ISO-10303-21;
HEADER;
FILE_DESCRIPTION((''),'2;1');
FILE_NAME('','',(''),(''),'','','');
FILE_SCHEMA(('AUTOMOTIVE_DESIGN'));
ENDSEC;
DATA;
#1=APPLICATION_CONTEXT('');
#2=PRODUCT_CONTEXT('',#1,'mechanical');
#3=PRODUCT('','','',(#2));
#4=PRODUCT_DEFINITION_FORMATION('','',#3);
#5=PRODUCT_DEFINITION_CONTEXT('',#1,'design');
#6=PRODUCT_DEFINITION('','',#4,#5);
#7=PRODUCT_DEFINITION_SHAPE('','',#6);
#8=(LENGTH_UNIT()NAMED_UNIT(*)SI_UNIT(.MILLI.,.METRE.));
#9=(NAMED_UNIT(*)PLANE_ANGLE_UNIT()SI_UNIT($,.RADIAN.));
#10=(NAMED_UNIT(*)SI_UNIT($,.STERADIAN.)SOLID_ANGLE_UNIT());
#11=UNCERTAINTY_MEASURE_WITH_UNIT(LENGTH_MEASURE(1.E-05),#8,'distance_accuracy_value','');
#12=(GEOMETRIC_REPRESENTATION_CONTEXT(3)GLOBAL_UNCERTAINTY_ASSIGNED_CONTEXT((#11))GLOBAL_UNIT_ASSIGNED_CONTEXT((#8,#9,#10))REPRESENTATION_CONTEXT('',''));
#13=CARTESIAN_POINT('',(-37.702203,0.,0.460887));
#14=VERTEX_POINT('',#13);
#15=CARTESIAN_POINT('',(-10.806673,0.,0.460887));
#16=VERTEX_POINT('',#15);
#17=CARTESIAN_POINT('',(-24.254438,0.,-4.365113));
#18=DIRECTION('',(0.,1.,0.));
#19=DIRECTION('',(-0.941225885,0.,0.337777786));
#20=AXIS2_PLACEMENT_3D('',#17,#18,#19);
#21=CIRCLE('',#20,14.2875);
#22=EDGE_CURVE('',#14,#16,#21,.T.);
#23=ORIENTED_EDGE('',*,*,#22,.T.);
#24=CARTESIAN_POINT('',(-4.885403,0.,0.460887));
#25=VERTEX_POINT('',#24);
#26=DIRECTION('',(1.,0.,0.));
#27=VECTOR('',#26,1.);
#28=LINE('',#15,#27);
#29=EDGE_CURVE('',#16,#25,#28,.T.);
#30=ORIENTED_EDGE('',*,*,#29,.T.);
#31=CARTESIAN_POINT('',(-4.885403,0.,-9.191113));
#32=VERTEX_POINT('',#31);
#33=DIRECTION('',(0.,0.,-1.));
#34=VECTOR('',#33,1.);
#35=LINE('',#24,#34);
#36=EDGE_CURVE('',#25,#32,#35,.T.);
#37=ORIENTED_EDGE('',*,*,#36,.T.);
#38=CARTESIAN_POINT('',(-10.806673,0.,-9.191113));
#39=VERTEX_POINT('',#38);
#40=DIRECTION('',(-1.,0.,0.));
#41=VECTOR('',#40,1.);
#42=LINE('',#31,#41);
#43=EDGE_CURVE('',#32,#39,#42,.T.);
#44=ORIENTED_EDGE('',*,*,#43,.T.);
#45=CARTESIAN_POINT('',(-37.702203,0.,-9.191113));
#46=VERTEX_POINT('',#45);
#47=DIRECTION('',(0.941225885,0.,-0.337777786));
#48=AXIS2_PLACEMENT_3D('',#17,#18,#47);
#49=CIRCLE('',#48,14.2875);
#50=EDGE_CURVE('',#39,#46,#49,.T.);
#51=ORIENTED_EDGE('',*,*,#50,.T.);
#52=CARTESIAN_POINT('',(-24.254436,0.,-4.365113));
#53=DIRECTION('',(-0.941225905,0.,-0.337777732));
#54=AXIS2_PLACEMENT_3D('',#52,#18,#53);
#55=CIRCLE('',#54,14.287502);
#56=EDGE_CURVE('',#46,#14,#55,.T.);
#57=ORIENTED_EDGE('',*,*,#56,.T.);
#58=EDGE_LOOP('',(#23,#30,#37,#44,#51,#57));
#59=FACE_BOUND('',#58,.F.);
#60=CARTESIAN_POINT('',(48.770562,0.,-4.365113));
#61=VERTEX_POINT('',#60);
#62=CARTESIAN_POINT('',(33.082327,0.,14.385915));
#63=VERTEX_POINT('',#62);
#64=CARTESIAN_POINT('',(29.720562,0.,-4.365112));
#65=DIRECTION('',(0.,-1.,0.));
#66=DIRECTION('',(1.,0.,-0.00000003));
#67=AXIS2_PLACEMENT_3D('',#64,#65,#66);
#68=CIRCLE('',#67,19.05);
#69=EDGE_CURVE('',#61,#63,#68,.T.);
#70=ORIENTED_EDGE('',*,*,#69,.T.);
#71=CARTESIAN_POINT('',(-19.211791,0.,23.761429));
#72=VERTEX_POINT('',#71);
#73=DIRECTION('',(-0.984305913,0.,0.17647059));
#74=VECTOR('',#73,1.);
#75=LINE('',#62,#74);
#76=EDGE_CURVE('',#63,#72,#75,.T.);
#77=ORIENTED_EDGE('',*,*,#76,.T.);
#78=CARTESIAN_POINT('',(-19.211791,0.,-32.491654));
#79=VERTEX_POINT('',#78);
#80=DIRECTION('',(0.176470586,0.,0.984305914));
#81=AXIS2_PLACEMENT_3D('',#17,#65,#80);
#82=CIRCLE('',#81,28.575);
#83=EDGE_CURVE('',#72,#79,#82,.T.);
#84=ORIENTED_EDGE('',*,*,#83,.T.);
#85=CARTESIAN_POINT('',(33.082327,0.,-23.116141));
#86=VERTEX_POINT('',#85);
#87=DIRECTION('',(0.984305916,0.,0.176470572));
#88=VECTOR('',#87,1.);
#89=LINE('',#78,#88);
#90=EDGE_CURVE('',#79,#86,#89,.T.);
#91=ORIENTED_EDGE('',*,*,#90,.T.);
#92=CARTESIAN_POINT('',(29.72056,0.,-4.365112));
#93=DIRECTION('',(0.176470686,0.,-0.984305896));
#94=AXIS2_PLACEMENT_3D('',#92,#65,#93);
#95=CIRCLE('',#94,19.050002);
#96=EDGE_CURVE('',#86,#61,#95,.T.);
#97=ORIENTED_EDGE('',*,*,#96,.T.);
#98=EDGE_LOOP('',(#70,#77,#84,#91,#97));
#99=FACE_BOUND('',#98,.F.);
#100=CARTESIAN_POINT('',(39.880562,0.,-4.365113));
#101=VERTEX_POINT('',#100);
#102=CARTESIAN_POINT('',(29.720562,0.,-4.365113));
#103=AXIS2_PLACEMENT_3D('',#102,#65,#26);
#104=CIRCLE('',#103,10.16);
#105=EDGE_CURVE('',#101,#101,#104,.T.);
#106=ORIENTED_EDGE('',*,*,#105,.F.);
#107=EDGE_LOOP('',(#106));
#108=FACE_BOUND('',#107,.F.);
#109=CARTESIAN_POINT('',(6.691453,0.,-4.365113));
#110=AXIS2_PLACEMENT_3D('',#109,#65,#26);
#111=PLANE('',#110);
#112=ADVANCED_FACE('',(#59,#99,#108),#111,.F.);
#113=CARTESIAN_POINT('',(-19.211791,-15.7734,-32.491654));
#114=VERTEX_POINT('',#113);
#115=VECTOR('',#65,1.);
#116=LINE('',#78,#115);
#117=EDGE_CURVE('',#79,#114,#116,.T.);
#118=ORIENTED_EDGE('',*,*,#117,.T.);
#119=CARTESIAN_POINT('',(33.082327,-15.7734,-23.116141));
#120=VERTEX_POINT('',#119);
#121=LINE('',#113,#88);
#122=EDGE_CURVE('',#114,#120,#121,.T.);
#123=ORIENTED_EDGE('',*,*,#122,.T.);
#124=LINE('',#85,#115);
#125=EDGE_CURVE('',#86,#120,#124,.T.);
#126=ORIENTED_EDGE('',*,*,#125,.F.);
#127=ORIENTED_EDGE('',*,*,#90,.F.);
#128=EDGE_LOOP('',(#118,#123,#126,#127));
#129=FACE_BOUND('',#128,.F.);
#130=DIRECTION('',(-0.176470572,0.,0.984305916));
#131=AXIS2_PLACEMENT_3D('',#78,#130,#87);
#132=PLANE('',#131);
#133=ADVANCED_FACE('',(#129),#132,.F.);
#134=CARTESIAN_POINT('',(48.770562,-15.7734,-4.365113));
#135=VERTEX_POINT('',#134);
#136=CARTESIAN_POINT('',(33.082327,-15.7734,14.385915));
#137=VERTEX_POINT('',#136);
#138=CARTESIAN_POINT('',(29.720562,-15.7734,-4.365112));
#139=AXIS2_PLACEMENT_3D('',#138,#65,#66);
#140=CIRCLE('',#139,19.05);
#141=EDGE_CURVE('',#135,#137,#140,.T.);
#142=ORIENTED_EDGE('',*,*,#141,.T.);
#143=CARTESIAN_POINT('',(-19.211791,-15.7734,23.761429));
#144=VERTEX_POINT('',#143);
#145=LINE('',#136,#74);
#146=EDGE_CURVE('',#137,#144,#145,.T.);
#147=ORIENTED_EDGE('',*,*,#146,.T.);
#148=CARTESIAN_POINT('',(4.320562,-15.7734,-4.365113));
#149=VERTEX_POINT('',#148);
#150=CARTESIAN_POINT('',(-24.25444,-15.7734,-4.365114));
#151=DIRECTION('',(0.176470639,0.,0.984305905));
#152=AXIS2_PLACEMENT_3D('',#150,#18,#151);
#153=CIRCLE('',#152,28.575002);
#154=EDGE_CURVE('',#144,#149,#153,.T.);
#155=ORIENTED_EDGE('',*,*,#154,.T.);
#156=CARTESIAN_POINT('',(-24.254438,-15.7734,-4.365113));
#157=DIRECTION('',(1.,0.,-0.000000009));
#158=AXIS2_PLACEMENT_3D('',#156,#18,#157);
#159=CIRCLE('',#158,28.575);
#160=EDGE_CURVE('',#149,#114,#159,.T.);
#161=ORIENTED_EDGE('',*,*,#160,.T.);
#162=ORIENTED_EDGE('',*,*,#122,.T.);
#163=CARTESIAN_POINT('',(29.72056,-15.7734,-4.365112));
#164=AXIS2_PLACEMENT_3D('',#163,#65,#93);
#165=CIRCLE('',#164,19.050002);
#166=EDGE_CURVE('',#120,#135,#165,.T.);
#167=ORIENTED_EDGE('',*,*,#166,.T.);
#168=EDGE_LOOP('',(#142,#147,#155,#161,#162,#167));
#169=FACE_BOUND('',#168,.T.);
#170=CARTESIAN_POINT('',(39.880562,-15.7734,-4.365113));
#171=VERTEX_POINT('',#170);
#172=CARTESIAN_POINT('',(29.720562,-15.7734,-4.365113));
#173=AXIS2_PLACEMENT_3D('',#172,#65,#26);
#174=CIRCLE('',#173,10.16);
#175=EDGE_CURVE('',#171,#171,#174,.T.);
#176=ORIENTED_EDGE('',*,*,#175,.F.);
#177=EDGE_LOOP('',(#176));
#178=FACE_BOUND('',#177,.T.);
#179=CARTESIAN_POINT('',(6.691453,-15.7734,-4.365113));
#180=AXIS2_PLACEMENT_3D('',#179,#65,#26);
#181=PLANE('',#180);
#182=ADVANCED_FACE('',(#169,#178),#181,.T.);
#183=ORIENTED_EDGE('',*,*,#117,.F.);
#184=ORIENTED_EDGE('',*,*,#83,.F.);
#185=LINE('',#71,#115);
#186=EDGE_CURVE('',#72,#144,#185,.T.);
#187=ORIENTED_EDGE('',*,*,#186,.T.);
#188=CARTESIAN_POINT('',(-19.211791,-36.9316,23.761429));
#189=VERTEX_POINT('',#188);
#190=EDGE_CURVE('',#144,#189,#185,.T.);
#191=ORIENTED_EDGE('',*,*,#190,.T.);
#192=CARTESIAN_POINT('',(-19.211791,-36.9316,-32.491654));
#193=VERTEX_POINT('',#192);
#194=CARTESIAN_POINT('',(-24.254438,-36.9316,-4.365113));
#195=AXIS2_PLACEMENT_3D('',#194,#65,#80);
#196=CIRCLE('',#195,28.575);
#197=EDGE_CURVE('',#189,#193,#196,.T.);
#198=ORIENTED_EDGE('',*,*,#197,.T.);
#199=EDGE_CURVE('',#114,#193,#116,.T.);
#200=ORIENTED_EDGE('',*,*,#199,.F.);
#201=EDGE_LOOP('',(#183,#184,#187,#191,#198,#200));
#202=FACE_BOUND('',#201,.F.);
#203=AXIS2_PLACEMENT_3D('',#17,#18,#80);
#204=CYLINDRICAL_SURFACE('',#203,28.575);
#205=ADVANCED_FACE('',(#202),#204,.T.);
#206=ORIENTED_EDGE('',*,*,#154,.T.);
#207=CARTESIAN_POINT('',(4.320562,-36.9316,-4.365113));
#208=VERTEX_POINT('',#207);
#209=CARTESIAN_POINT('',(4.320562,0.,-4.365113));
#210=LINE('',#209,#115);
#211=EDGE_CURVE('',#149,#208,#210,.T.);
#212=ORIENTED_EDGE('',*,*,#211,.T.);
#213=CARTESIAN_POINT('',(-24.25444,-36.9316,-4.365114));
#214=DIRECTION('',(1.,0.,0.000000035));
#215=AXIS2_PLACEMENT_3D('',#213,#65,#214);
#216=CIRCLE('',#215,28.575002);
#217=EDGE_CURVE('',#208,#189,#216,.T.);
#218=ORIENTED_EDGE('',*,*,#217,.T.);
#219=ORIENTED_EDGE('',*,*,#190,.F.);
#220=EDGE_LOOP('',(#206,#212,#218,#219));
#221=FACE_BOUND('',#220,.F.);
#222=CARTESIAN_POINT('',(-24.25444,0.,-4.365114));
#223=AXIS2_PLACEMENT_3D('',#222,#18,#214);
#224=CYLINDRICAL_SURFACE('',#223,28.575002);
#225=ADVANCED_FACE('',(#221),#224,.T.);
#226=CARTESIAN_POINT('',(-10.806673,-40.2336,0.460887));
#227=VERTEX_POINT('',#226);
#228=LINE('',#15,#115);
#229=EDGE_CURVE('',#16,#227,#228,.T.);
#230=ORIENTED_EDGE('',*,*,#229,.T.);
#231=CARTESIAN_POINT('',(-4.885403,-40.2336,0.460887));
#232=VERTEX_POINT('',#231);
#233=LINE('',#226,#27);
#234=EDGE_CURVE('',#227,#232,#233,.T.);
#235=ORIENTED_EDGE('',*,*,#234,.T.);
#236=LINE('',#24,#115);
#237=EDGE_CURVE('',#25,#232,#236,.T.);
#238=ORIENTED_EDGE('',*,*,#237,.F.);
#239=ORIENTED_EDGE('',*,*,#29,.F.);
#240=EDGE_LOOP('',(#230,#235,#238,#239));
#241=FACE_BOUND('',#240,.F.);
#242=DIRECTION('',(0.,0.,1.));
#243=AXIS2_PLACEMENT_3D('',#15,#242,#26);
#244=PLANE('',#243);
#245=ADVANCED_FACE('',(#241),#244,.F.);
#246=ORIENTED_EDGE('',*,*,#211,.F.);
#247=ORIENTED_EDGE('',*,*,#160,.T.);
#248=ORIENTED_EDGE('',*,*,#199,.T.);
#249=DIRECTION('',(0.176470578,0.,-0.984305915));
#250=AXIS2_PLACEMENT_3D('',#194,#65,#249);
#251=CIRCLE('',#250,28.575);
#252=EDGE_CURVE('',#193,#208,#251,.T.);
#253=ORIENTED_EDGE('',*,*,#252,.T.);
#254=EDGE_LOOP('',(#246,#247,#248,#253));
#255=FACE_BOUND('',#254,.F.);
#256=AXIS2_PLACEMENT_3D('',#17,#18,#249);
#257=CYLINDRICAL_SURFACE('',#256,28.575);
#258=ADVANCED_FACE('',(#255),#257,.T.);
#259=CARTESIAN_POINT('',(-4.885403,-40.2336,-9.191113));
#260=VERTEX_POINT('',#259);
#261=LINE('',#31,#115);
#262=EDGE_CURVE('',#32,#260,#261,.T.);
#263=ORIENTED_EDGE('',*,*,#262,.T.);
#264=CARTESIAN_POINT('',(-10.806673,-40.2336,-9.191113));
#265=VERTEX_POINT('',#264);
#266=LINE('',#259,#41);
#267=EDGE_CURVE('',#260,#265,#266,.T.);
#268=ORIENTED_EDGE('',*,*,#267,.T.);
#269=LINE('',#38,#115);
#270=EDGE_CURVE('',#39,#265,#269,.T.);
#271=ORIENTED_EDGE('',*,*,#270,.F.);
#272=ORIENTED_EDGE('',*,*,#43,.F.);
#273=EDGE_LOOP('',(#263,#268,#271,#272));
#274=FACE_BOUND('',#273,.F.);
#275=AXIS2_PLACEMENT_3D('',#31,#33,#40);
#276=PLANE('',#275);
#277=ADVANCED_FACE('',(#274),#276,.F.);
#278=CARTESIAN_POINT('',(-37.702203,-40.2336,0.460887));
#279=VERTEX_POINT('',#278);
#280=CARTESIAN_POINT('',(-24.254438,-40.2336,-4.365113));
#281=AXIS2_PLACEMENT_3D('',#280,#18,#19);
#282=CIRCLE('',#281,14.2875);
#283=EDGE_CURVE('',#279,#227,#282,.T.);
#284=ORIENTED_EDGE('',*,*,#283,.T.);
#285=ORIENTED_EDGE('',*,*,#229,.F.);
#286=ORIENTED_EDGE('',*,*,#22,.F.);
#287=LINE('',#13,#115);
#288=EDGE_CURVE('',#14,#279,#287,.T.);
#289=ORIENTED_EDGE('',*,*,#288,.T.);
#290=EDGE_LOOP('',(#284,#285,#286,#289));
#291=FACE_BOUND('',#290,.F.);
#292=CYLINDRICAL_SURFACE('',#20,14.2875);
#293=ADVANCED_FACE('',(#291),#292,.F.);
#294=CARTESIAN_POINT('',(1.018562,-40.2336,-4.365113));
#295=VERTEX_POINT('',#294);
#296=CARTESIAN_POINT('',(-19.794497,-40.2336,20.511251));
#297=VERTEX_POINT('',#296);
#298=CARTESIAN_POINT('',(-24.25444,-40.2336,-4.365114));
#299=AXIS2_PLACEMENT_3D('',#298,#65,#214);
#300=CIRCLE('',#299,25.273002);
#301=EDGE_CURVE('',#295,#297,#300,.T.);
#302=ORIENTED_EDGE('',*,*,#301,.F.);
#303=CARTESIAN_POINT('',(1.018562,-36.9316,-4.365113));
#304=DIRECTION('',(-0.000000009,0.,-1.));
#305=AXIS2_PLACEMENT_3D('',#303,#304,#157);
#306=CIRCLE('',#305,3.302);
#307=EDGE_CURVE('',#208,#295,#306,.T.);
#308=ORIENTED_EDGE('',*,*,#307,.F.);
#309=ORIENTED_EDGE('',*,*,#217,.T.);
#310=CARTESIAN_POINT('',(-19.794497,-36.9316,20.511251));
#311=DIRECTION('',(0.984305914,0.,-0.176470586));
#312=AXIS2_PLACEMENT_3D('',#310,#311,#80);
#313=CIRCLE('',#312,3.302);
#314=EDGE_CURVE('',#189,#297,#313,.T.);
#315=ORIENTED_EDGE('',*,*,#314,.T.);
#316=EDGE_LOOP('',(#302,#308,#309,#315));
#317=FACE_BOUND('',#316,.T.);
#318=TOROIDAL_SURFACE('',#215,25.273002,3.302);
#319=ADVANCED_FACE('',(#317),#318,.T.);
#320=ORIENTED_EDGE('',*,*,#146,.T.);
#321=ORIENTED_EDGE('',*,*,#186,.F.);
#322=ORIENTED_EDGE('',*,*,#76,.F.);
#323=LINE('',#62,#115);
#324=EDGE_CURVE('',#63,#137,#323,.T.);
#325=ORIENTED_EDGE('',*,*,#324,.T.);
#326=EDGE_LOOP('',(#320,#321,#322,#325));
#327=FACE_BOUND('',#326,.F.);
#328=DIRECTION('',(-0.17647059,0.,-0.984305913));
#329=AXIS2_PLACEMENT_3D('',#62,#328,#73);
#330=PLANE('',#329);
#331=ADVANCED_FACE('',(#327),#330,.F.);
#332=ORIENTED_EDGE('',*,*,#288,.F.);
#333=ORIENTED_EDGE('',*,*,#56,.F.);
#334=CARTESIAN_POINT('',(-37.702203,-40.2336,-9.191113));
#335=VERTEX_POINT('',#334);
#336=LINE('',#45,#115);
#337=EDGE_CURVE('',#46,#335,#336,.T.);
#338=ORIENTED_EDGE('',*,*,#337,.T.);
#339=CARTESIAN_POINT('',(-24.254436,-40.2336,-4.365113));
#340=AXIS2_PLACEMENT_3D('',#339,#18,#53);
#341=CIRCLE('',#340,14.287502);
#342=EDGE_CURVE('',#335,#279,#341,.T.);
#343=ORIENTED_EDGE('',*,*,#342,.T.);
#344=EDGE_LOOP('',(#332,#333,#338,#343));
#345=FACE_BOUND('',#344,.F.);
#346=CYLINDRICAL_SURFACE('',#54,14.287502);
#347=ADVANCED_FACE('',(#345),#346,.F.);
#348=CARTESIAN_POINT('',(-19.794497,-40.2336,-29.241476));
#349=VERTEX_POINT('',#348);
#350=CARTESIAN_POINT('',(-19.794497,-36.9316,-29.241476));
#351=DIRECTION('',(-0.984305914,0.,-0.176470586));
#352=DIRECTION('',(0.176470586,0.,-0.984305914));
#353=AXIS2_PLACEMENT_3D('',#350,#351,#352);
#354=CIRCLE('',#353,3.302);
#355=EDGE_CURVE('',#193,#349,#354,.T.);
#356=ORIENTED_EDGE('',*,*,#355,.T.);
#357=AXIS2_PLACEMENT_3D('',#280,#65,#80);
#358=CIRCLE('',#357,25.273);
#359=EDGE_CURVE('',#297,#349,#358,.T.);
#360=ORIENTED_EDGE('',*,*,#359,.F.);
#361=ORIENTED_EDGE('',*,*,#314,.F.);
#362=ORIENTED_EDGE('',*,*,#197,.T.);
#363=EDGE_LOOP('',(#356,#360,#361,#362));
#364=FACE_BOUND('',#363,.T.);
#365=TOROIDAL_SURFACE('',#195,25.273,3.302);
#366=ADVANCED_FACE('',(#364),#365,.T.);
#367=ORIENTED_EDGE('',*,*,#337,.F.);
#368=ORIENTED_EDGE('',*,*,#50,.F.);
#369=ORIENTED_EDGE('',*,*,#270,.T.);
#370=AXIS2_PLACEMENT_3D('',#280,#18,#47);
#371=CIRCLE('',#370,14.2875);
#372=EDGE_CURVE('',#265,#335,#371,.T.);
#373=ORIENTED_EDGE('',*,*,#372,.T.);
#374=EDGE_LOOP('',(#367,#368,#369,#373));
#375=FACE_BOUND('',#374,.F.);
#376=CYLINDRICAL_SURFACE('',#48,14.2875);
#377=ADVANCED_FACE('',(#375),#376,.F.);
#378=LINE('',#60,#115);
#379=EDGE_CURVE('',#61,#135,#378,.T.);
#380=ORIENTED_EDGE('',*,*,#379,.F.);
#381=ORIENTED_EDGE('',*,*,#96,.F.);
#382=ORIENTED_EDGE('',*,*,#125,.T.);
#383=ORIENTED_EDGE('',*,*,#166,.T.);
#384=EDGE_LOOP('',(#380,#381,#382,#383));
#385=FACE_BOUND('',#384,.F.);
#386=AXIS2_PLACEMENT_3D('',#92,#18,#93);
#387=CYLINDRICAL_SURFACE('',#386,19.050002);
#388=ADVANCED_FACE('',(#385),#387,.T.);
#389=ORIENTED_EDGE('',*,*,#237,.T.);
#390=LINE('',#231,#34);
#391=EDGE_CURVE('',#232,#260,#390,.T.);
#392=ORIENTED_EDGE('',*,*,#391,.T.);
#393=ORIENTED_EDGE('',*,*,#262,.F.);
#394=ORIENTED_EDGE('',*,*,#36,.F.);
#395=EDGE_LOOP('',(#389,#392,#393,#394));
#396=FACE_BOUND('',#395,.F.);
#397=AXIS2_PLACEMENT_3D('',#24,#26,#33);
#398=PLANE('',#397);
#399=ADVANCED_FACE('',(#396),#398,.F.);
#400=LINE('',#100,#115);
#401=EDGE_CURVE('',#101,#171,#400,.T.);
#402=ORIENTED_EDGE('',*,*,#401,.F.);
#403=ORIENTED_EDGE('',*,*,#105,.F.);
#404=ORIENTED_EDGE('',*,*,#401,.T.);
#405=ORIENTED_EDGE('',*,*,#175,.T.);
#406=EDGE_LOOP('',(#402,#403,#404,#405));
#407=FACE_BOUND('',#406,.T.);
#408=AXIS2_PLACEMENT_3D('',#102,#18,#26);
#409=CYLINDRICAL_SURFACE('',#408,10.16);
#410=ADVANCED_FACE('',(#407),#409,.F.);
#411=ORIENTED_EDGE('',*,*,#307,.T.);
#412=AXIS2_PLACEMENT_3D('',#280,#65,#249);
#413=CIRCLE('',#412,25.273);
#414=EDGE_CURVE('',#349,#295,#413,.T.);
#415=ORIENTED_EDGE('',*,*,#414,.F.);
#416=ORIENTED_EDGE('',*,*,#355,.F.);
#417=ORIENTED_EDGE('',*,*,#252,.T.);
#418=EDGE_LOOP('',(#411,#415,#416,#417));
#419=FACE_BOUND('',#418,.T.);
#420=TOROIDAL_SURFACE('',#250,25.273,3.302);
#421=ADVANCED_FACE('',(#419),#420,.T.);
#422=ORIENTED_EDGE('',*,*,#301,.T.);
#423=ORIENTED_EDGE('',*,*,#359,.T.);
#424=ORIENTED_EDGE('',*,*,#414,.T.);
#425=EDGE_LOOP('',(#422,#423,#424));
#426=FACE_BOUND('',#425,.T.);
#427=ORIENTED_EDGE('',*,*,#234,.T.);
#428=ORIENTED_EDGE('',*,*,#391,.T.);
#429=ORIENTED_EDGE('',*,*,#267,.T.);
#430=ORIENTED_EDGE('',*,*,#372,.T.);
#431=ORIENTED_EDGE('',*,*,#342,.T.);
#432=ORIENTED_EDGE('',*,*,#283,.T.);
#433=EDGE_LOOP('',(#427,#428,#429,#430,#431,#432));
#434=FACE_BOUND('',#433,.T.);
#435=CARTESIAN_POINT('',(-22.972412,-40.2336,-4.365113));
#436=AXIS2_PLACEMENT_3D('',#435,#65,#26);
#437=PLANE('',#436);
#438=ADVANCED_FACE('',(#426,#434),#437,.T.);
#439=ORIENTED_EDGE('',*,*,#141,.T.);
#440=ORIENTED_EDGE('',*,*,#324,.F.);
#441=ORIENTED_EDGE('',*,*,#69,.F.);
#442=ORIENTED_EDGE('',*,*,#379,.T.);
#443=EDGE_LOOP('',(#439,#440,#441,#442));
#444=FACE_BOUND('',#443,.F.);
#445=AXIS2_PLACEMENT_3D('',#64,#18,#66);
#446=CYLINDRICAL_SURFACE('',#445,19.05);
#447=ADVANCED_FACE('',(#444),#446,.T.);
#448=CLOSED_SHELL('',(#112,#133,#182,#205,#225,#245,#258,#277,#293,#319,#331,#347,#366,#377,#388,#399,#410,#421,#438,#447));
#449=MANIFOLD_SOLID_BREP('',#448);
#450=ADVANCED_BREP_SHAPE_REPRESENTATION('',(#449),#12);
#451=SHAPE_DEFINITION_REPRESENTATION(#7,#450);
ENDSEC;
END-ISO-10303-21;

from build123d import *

# Parameters (mm, degrees)
F1_DEPTH = 40.2336
F0_R     = 10.16
F2_DEPTH = 15.7734
F3_R     = 3.302


with BuildPart() as f1:
    # F0 (on Front) → F1 (new body)
    with BuildSketch(Plane.XZ):
        with BuildLine():
            ThreePointArc((-19.211791, -32.491654), (-2.338414, -22.701375), (4.320562, -4.365113))
            ThreePointArc((4.320562, -4.365113), (-2.338414, 13.971149), (-19.211791, 23.761429))
            ThreePointArc((-19.211791, 23.761429), (-52.829438, -4.365113), (-19.211791, -32.491654))
        make_face()
        with BuildLine():
            ThreePointArc((-37.702203, -9.191113), (-38.541938, -4.365113), (-37.702203, 0.460887))
            ThreePointArc((-37.702203, 0.460887), (-24.254438, 9.922387), (-10.806673, 0.460887))
            Line((-10.806673, 0.460887), (-4.885403, 0.460887))
            Line((-4.885403, 0.460887), (-4.885403, -9.191113))
            Line((-4.885403, -9.191113), (-10.806673, -9.191113))
            ThreePointArc((-10.806673, -9.191113), (-24.254438, -18.652613), (-37.702203, -9.191113))
        make_face(mode=Mode.SUBTRACT)
    extrude(amount=F1_DEPTH)

    # F0 (on Front) → F2 (join)
    with BuildSketch(Plane.XZ):
        with BuildLine():
            ThreePointArc((-19.211791, 23.761429), (-2.338414, 13.971149), (4.320562, -4.365113))
            ThreePointArc((4.320562, -4.365113), (-2.338414, -22.701375), (-19.211791, -32.491654))
            Line((-19.211791, -32.491654), (33.082327, -23.116141))
            ThreePointArc((33.082327, -23.116141), (10.670562, -4.365113), (33.082327, 14.385915))
            Line((33.082327, 14.385915), (-19.211791, 23.761429))
        make_face()
        with BuildLine():
            ThreePointArc((48.770562, -4.365113), (44.331245, 7.859062), (33.082327, 14.385915))
            ThreePointArc((33.082327, 14.385915), (10.670562, -4.365113), (33.082327, -23.116141))
            ThreePointArc((33.082327, -23.116141), (44.331245, -16.589287), (48.770562, -4.365113))
        make_face()
        with Locations((29.720562, -4.365113)):
            Circle(F0_R, mode=Mode.SUBTRACT)
    extrude(amount=F2_DEPTH)

    # F3
    f3_edges = [f1.edges().sort_by_distance(p)[0] for p in [
        (-29.297085, -40.2336, 23.761429),
    ]]
    fillet(f3_edges, radius=F3_R)


solid = f1.part
